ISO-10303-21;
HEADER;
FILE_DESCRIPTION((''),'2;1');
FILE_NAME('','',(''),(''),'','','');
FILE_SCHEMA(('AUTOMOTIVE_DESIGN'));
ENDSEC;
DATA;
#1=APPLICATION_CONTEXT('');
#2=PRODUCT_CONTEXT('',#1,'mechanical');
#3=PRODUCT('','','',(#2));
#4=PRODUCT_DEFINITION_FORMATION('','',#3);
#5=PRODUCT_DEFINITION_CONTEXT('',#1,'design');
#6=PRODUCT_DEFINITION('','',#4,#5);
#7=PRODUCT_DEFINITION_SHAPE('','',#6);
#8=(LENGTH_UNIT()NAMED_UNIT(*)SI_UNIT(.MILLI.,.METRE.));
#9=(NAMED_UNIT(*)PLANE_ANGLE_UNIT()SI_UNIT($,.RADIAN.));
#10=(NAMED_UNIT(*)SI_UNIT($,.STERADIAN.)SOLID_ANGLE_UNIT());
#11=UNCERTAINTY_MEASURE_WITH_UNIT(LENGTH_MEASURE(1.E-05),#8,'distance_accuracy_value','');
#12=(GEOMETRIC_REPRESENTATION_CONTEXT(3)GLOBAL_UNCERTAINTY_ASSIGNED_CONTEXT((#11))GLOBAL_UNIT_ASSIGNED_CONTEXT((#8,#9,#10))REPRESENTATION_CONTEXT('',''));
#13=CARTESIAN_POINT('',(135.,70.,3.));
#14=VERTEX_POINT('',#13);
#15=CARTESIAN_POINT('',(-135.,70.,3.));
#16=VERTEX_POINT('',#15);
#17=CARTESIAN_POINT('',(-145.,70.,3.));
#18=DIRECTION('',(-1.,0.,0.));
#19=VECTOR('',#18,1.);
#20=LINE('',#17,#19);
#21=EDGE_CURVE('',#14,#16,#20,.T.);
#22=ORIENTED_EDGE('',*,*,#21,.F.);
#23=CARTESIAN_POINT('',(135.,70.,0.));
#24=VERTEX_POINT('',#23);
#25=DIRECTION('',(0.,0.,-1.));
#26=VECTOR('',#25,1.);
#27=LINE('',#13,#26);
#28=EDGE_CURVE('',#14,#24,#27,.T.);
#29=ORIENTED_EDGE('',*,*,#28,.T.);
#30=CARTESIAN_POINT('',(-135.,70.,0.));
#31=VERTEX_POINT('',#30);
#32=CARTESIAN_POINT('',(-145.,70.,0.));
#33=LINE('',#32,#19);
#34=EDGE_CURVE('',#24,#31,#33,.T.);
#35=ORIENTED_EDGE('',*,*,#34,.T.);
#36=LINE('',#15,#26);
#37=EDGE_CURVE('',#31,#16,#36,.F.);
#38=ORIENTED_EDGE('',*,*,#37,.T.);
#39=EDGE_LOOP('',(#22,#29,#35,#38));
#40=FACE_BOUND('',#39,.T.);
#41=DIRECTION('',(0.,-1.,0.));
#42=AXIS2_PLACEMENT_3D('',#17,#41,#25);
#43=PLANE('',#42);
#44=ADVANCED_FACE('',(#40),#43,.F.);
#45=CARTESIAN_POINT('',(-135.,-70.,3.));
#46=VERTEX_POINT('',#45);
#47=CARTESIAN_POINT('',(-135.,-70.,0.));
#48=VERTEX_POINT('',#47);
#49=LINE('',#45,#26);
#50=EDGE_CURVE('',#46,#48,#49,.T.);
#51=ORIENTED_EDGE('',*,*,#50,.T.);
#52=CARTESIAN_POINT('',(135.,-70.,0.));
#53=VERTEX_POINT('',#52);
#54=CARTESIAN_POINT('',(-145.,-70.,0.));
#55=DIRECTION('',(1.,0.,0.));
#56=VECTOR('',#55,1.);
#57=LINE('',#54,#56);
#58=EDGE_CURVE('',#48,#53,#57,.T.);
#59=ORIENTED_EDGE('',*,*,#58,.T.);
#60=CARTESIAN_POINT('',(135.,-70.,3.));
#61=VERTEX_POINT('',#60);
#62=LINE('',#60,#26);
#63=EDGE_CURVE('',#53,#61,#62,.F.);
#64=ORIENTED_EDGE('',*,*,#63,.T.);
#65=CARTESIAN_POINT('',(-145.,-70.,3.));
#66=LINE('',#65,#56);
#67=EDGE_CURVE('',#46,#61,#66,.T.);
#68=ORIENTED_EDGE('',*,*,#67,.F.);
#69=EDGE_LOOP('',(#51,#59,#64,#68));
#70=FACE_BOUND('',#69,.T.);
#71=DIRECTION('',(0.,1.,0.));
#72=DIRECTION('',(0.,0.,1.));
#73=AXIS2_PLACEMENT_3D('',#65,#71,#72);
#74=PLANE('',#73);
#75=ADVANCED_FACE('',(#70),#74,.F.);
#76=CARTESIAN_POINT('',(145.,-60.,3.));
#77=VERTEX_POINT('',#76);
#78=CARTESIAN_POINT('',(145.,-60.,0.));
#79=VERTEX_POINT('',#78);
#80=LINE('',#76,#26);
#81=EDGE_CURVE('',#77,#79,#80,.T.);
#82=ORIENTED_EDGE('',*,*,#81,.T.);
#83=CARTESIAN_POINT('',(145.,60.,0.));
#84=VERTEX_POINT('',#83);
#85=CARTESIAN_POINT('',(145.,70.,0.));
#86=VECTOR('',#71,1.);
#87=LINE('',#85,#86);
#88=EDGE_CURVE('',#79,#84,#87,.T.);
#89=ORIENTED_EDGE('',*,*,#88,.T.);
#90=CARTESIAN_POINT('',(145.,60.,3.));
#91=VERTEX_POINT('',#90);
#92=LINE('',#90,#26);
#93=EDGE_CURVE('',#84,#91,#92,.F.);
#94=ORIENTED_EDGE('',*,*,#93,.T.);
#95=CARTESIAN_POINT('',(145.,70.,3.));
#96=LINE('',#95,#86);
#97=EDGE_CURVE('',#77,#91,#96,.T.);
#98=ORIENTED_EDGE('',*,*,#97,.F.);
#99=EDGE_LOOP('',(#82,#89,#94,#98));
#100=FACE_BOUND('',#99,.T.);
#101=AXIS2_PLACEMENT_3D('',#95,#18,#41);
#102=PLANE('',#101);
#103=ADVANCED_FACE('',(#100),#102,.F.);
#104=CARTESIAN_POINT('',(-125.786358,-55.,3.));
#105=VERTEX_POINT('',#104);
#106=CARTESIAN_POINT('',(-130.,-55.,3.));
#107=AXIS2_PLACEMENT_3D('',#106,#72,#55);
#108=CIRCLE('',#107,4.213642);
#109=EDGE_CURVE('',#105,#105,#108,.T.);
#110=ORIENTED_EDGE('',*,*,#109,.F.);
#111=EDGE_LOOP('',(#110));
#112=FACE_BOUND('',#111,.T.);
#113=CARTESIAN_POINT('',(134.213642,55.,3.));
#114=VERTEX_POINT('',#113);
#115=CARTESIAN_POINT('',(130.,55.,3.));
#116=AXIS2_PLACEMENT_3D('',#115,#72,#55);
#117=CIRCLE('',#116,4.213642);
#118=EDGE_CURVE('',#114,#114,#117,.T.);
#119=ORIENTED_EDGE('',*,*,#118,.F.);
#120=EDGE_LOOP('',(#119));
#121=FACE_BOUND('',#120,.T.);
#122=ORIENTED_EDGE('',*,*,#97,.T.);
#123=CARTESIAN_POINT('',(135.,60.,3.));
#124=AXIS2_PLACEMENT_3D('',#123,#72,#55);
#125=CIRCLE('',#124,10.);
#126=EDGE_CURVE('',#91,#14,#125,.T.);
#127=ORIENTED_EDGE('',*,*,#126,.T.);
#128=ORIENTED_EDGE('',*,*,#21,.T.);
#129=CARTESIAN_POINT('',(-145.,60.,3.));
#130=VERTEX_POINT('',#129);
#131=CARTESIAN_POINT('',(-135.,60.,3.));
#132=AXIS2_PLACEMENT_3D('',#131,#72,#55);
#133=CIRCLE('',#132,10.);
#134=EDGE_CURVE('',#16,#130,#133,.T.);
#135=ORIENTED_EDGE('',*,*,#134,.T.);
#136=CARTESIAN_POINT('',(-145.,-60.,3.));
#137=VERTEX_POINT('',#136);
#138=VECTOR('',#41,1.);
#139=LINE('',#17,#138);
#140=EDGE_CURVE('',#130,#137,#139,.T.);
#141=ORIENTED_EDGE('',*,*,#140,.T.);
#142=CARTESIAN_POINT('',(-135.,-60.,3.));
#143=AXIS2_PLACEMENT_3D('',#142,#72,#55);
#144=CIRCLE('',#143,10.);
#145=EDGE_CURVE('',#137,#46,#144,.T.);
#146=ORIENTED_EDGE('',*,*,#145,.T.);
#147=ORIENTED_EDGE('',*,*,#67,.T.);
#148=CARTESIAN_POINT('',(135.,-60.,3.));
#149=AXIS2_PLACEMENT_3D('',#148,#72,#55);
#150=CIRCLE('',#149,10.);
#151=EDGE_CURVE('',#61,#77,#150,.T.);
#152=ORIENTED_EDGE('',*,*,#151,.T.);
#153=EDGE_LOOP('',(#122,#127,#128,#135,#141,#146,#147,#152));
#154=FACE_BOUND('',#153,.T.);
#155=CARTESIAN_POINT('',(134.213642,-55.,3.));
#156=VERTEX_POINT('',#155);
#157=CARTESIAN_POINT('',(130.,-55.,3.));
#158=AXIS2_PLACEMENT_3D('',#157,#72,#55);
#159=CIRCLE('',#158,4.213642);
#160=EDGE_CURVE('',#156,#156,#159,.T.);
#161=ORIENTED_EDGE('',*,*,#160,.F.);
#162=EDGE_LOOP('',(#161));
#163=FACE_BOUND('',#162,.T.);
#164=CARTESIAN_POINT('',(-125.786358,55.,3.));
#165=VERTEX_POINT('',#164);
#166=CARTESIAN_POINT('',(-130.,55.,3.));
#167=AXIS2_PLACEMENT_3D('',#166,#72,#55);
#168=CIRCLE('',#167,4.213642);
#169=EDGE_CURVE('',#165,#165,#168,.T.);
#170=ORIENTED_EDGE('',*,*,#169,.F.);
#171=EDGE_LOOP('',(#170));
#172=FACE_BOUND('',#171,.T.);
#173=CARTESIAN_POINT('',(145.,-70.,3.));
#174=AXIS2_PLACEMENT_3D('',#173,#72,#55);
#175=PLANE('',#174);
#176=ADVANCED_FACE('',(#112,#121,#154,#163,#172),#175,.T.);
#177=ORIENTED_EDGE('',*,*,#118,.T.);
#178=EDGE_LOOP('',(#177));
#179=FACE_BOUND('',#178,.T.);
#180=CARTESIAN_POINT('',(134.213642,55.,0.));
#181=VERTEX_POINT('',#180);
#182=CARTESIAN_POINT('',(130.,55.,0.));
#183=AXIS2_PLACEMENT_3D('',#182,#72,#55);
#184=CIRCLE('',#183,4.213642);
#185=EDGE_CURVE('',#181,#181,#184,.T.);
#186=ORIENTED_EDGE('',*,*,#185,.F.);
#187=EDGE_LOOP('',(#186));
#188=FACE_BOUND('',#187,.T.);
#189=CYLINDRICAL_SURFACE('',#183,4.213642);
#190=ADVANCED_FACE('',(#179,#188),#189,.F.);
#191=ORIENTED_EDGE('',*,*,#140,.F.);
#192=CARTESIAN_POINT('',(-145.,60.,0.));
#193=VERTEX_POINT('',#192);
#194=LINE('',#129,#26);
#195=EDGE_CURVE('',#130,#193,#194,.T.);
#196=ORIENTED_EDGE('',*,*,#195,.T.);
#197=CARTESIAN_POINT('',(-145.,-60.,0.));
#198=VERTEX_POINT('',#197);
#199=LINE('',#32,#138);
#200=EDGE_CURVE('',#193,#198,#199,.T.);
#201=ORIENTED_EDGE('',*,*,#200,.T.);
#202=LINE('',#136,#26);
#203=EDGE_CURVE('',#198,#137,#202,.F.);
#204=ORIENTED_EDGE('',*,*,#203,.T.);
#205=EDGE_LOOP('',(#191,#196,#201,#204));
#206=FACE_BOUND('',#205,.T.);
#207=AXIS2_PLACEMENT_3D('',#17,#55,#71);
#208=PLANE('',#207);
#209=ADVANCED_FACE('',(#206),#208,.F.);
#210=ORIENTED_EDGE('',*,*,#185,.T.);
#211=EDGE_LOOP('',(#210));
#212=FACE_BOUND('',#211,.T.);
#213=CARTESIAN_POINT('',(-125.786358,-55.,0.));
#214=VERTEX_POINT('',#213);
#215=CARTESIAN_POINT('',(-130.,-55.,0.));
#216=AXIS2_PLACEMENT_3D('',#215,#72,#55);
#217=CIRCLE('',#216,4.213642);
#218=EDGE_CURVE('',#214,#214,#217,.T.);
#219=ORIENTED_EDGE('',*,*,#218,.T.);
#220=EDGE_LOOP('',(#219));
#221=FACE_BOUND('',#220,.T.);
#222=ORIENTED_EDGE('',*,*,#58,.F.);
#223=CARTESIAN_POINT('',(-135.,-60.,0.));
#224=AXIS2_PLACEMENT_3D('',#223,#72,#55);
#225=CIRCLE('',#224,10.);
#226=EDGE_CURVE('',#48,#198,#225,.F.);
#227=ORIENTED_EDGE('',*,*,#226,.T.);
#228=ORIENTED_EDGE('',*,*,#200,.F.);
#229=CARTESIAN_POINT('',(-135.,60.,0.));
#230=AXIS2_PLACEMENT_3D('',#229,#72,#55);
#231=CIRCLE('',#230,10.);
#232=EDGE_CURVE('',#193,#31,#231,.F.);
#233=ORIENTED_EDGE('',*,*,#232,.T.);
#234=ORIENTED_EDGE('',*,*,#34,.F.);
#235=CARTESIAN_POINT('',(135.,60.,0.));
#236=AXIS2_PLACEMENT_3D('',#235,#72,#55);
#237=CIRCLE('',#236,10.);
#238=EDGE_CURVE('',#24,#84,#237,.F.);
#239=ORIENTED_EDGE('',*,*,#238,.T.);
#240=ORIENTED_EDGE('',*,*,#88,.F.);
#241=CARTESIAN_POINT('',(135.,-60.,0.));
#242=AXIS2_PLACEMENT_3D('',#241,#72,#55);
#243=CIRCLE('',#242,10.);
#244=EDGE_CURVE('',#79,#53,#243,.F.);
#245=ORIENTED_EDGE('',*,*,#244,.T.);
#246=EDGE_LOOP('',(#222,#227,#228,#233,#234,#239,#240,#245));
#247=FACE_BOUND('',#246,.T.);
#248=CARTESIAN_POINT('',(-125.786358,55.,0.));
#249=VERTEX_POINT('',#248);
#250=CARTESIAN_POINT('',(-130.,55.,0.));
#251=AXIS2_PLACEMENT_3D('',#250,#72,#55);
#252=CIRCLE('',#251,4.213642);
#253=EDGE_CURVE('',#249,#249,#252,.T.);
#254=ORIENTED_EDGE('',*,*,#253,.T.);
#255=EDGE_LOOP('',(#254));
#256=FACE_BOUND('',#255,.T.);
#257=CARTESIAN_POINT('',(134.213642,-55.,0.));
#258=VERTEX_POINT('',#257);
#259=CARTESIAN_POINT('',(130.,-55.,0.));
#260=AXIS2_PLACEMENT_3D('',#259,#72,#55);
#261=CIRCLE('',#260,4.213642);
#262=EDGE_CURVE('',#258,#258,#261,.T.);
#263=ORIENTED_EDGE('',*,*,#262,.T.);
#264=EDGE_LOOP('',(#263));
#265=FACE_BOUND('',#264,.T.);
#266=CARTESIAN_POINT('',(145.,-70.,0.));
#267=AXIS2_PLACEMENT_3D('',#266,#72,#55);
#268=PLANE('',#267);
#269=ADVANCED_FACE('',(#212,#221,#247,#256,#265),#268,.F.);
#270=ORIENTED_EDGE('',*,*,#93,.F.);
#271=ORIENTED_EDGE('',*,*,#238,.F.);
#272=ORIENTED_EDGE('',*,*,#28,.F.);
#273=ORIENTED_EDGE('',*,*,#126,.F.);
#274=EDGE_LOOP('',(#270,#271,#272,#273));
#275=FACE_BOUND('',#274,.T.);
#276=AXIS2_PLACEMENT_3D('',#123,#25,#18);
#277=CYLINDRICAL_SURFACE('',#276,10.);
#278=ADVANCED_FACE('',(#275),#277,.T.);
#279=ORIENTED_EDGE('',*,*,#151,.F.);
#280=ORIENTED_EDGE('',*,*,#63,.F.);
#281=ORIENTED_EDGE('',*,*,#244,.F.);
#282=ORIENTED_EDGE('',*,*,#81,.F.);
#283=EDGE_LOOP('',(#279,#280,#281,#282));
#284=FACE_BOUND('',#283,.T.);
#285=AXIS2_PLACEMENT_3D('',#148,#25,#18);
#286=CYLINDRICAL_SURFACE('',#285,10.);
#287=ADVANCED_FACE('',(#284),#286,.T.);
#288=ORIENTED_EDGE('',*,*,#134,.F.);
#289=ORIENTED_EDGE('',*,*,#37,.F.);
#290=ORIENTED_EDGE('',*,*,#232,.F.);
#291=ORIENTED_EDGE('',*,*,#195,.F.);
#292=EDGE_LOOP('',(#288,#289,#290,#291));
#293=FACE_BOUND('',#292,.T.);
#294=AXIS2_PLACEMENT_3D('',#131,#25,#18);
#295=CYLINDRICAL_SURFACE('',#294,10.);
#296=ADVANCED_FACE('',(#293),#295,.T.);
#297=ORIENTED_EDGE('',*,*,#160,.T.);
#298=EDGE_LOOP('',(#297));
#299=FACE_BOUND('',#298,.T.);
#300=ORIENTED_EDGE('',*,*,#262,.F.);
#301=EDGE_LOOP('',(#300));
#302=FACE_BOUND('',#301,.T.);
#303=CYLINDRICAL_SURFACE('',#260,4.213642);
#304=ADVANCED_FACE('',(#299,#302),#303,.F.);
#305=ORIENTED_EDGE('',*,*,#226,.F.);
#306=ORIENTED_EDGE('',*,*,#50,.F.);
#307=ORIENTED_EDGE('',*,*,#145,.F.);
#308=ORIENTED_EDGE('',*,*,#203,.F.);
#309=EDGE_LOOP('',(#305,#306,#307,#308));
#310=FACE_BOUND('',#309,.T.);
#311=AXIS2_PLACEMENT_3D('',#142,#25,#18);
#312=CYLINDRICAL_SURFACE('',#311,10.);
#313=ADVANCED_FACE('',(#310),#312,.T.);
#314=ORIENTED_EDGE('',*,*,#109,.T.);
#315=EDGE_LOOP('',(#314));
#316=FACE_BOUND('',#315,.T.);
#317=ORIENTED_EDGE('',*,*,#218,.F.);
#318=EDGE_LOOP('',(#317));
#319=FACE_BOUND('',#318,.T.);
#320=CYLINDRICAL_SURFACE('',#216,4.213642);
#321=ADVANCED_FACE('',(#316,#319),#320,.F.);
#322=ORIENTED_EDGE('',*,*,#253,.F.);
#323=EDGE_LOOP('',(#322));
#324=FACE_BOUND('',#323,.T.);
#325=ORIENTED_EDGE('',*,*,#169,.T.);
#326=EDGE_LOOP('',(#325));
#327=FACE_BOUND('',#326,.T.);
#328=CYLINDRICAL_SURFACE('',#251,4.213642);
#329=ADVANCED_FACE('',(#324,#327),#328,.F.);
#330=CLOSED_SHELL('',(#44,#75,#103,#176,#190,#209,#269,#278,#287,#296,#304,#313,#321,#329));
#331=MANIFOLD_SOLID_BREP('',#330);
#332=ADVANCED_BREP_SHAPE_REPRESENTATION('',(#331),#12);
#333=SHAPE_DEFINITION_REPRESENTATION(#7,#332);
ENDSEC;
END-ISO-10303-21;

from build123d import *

# Parameters (mm, degrees)
SKETCH_1_W          = 290
SKETCH_1_H          = 140
EXTRUDE_1_DEPTH     = 3
FILLET_1_R          = 10
SKETCH_2_R          = 4.213642015
CUT_EXTRUDE_1_DEPTH = 3


with BuildPart() as part:
    # 草图1 → 凸台-拉伸1 (new body)
    with BuildSketch(Plane.XY):
        Rectangle(SKETCH_1_W, SKETCH_1_H)
    extrude(amount=EXTRUDE_1_DEPTH)

    # 圆角1
    fillet_1_edges = [part.edges().sort_by_distance(p)[0] for p in [
        (145, -70, 1.5),
        (-145, -70, 1.5),
        (-145, 70, 1.5),
        (145, 70, 1.5),
    ]]
    fillet(fillet_1_edges, radius=FILLET_1_R)

    # 草图2 → 切除-拉伸1 (cut)
    with BuildSketch(Plane.XY.offset(3)):
        with Locations((-130, 55)):
            Circle(SKETCH_2_R)
        with Locations((-130, -55)):
            Circle(SKETCH_2_R)
        with Locations((130, 55)):
            Circle(SKETCH_2_R)
        with Locations((130, -55)):
            Circle(SKETCH_2_R)
    extrude(amount=-CUT_EXTRUDE_1_DEPTH, mode=Mode.SUBTRACT)


solid = part.part
